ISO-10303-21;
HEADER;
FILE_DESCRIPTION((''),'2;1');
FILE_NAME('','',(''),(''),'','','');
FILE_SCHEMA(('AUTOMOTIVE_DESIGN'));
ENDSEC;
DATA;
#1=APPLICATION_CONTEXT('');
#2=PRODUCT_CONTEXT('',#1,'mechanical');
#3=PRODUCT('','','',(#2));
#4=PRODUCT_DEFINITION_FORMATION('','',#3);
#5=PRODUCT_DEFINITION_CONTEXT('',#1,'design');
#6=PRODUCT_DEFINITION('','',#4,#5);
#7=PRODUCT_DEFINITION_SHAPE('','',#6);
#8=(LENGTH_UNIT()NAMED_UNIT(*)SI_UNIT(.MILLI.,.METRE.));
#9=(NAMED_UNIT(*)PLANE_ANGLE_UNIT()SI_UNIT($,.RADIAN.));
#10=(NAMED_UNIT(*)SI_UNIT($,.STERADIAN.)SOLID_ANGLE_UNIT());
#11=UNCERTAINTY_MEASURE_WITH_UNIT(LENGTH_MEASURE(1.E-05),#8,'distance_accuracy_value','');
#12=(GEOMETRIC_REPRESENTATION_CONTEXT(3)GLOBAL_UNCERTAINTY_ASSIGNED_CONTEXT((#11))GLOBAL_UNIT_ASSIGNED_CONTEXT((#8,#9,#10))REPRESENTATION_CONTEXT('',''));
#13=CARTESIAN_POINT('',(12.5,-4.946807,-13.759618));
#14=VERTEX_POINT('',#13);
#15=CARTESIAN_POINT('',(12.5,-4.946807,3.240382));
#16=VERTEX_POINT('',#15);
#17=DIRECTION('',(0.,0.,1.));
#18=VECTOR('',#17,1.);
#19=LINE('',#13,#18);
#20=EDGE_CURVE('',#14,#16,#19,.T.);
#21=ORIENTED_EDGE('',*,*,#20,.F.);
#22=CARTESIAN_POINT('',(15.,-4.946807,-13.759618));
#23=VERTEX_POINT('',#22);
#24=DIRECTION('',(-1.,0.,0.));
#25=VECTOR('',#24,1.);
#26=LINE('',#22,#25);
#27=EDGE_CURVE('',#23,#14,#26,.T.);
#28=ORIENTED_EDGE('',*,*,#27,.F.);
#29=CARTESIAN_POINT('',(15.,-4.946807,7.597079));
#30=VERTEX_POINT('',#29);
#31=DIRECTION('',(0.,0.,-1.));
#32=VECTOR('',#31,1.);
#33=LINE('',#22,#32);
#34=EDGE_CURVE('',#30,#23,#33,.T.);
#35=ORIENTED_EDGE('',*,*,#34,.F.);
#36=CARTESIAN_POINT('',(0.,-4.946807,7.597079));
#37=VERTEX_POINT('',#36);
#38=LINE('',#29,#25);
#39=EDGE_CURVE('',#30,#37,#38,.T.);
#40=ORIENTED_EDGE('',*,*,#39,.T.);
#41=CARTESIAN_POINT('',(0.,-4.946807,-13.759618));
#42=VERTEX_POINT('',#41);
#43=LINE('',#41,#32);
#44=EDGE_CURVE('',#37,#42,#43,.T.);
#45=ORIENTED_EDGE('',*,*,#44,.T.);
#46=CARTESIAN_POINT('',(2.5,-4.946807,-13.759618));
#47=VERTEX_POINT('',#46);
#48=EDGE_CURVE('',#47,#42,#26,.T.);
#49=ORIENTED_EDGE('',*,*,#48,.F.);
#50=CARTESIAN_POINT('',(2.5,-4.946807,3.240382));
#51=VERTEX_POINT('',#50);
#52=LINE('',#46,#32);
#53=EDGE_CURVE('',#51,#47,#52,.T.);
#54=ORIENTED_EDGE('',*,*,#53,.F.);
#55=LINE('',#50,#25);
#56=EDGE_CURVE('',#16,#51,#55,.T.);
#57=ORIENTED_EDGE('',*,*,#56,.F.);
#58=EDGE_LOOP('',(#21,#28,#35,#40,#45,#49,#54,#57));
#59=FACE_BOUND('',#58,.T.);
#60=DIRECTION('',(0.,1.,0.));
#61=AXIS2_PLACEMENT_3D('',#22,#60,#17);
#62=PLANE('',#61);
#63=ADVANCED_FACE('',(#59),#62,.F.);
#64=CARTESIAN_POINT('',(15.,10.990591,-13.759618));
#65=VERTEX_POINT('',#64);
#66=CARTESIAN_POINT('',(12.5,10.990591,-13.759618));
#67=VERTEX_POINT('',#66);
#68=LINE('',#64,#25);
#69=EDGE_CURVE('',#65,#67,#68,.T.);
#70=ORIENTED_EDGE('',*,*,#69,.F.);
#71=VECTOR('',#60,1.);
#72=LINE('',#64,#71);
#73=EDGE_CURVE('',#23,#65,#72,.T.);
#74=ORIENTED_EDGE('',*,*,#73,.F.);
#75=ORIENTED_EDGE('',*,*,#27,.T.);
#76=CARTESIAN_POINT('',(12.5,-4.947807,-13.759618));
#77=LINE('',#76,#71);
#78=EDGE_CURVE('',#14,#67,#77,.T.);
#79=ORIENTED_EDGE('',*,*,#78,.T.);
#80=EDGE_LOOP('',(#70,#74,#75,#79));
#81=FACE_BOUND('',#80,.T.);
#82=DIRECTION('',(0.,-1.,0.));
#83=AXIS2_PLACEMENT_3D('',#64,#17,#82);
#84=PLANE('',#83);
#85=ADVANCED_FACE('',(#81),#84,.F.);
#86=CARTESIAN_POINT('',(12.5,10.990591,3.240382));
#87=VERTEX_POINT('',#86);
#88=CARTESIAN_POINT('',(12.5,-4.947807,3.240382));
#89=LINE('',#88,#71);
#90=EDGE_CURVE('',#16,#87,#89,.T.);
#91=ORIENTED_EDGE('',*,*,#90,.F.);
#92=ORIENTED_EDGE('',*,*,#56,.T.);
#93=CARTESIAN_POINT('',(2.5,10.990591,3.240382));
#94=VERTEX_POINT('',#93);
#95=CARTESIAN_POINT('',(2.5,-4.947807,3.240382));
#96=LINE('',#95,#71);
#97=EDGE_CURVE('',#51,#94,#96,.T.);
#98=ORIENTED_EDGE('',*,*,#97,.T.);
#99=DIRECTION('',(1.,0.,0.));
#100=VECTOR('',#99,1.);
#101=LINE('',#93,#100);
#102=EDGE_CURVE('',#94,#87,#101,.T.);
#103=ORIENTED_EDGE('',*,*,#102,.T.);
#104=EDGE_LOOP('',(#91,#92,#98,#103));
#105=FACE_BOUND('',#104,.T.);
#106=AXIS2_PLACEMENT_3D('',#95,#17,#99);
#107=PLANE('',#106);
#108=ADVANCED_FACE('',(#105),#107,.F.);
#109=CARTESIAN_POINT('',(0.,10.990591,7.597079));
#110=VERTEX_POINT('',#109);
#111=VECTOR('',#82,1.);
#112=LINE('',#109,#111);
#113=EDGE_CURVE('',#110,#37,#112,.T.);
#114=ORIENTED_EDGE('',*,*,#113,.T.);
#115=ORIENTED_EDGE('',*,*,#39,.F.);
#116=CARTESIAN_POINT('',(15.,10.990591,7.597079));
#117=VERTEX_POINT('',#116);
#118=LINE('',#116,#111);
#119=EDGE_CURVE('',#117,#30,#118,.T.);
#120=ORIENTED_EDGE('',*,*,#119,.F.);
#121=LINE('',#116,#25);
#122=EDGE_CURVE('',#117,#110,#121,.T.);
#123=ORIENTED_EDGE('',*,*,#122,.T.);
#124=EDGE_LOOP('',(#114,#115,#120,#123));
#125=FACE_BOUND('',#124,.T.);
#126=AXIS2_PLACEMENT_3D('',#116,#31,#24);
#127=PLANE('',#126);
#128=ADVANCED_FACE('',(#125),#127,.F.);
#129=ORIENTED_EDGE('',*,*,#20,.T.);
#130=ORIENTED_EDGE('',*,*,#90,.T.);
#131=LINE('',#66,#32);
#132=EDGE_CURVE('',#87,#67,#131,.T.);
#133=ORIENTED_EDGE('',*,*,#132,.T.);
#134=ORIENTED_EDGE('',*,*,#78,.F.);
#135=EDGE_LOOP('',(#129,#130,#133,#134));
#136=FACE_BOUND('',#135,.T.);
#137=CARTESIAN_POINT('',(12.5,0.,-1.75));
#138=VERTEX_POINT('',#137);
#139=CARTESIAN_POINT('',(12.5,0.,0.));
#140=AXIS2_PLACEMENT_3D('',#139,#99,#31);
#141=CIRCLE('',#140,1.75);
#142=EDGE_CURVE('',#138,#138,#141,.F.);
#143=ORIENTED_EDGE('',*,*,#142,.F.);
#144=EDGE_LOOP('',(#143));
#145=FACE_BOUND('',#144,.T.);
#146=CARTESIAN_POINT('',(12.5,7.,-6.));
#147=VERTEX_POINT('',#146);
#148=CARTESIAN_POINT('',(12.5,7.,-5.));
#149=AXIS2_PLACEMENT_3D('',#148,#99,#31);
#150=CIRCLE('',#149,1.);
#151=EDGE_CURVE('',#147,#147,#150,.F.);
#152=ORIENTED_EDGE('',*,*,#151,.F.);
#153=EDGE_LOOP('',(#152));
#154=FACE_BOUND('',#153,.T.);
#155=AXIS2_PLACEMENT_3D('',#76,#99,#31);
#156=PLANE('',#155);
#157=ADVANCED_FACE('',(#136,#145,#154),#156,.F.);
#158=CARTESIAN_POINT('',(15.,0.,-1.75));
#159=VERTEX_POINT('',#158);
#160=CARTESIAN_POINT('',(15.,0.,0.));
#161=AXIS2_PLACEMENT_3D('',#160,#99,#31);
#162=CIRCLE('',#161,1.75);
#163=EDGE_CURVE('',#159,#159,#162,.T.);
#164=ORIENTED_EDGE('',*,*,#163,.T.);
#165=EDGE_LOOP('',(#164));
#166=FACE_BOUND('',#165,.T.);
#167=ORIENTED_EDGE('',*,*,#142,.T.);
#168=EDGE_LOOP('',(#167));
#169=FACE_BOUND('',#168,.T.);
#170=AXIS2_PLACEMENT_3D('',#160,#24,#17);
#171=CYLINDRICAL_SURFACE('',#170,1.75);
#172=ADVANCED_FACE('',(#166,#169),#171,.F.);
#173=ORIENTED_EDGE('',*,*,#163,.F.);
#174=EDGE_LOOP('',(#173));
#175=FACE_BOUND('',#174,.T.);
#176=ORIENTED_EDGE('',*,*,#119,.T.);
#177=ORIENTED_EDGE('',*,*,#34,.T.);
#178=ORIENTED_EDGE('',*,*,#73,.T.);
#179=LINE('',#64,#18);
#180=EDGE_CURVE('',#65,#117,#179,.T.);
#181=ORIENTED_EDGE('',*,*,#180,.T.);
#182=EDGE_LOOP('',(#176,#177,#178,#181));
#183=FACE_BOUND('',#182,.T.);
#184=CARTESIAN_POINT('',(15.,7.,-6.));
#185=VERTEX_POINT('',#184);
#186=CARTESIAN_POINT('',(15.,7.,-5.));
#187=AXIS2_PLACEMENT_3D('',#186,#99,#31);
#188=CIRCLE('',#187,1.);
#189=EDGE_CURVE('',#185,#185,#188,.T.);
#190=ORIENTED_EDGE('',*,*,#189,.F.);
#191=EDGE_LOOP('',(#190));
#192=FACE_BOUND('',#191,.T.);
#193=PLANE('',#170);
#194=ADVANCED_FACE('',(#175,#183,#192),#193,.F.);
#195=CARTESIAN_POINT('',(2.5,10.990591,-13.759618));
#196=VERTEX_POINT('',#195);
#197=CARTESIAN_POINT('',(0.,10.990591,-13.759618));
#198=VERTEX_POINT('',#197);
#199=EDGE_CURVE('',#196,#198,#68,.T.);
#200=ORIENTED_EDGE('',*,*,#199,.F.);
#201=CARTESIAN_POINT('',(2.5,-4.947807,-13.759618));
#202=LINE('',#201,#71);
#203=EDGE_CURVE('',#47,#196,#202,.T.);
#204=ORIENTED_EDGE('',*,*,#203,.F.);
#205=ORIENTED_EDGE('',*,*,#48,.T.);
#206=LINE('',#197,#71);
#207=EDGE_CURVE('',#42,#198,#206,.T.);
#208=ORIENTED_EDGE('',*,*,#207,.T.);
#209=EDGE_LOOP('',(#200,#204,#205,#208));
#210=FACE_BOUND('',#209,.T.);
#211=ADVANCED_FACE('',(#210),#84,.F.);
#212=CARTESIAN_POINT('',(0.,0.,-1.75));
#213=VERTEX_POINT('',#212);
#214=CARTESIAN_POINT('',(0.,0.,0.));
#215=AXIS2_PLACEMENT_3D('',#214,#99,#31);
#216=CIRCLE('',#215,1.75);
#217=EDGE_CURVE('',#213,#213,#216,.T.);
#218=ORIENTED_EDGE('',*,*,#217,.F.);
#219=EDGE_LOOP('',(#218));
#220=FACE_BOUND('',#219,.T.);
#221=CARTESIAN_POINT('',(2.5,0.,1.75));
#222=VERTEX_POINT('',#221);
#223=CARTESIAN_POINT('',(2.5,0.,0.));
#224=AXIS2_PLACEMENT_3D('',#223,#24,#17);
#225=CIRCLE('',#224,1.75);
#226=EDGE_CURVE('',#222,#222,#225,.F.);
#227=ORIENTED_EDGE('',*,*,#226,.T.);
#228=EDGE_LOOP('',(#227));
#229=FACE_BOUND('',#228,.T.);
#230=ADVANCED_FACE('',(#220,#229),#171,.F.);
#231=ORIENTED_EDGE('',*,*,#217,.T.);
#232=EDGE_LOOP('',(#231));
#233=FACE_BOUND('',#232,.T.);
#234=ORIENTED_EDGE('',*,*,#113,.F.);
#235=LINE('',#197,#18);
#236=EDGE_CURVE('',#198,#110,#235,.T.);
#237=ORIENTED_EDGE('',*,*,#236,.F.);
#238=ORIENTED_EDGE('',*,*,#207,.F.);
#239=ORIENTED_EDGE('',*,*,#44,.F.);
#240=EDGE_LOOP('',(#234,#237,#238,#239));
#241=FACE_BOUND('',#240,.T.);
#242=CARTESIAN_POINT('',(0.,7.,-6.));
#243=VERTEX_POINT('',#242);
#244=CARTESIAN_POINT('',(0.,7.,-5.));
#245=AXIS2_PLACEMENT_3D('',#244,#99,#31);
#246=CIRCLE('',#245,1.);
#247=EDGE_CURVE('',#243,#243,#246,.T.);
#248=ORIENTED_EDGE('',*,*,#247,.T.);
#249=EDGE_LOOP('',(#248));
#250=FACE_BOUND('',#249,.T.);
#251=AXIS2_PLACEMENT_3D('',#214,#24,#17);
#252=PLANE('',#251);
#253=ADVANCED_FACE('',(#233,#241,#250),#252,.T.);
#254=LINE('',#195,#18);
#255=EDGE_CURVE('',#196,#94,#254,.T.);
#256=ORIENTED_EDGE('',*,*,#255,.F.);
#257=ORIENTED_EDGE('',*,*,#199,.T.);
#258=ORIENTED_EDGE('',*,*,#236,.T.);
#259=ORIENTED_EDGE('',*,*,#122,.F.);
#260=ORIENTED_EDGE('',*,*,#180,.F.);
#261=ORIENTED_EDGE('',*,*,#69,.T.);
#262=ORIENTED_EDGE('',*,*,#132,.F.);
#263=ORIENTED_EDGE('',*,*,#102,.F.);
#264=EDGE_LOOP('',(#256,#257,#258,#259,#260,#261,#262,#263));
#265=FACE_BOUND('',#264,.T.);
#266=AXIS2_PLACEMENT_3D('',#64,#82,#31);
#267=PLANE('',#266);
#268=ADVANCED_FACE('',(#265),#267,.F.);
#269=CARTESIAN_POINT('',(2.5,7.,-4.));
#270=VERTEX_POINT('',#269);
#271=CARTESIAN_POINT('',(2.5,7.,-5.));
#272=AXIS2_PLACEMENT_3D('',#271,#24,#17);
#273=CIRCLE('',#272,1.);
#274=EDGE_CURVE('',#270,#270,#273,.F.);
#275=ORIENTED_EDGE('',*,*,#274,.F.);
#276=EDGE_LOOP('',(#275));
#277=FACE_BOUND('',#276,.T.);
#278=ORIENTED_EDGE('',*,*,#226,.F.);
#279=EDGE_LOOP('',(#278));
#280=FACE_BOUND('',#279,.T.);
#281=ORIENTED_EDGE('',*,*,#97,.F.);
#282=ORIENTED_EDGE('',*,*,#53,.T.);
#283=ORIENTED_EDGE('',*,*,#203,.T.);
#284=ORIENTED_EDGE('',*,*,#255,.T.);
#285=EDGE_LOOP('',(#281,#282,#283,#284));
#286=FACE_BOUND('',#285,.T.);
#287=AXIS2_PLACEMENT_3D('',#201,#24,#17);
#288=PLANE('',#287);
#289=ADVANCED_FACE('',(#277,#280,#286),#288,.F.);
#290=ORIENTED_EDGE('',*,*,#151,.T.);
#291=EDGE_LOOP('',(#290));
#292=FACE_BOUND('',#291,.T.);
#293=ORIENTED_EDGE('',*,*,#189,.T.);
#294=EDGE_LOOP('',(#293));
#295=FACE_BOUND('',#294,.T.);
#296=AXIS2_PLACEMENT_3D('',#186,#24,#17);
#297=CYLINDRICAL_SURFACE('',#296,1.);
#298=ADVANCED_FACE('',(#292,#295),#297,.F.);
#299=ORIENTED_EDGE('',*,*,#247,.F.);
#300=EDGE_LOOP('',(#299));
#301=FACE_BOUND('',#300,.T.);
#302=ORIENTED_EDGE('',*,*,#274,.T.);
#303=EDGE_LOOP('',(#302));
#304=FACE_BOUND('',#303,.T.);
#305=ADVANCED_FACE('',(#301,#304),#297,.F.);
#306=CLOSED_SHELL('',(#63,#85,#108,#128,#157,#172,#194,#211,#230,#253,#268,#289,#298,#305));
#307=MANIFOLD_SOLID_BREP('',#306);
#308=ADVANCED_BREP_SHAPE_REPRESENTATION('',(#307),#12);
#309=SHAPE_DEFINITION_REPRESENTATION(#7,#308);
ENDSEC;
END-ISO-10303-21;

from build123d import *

# Parameters (mm, degrees)
SKETCH1_W           = 21.356696791
SKETCH1_H           = 15.93739856
SKETCH1_R           = 1.75
SKETCH1_R_2         = 1
BOSS_EXTRUDE1_DEPTH = 15
CUT_EXTRUDE1_REACH  = 17.937
SKETCH2_W           = 10
SKETCH2_H           = 17


with BuildPart() as part:
    # Sketch1 → Boss-Extrude1 (new body)
    with BuildSketch(Plane(origin=(0, 0, 0), x_dir=(0, 0, -1), z_dir=(1, 0, 0))):
        with Locations((3.081269675, 3.021892184)):
            Rectangle(SKETCH1_W, SKETCH1_H)
        Circle(SKETCH1_R, mode=Mode.SUBTRACT)
        with Locations((5, 7)):
            Circle(SKETCH1_R_2, mode=Mode.SUBTRACT)
    extrude(amount=BOSS_EXTRUDE1_DEPTH)

    # Sketch2 → Cut-Extrude1 (cut, up to next)
    with BuildSketch(Plane(origin=(0, 10.990591464, 0), x_dir=(1, 0, 0), z_dir=(0, 1, 0)), mode=Mode.PRIVATE) as cut_extrude1_sk1:
        with Locations((7.5, 5.259618071)):
            Rectangle(SKETCH2_W, SKETCH2_H)
    cut_extrude1_tool1 = extrude(cut_extrude1_sk1.sketch, amount=-CUT_EXTRUDE1_REACH, mode=Mode.PRIVATE) & part.part
    add(cut_extrude1_tool1.solids().sort_by_distance((7.5, 10.990591, -5.259618))[0], mode=Mode.SUBTRACT)


solid = part.part
